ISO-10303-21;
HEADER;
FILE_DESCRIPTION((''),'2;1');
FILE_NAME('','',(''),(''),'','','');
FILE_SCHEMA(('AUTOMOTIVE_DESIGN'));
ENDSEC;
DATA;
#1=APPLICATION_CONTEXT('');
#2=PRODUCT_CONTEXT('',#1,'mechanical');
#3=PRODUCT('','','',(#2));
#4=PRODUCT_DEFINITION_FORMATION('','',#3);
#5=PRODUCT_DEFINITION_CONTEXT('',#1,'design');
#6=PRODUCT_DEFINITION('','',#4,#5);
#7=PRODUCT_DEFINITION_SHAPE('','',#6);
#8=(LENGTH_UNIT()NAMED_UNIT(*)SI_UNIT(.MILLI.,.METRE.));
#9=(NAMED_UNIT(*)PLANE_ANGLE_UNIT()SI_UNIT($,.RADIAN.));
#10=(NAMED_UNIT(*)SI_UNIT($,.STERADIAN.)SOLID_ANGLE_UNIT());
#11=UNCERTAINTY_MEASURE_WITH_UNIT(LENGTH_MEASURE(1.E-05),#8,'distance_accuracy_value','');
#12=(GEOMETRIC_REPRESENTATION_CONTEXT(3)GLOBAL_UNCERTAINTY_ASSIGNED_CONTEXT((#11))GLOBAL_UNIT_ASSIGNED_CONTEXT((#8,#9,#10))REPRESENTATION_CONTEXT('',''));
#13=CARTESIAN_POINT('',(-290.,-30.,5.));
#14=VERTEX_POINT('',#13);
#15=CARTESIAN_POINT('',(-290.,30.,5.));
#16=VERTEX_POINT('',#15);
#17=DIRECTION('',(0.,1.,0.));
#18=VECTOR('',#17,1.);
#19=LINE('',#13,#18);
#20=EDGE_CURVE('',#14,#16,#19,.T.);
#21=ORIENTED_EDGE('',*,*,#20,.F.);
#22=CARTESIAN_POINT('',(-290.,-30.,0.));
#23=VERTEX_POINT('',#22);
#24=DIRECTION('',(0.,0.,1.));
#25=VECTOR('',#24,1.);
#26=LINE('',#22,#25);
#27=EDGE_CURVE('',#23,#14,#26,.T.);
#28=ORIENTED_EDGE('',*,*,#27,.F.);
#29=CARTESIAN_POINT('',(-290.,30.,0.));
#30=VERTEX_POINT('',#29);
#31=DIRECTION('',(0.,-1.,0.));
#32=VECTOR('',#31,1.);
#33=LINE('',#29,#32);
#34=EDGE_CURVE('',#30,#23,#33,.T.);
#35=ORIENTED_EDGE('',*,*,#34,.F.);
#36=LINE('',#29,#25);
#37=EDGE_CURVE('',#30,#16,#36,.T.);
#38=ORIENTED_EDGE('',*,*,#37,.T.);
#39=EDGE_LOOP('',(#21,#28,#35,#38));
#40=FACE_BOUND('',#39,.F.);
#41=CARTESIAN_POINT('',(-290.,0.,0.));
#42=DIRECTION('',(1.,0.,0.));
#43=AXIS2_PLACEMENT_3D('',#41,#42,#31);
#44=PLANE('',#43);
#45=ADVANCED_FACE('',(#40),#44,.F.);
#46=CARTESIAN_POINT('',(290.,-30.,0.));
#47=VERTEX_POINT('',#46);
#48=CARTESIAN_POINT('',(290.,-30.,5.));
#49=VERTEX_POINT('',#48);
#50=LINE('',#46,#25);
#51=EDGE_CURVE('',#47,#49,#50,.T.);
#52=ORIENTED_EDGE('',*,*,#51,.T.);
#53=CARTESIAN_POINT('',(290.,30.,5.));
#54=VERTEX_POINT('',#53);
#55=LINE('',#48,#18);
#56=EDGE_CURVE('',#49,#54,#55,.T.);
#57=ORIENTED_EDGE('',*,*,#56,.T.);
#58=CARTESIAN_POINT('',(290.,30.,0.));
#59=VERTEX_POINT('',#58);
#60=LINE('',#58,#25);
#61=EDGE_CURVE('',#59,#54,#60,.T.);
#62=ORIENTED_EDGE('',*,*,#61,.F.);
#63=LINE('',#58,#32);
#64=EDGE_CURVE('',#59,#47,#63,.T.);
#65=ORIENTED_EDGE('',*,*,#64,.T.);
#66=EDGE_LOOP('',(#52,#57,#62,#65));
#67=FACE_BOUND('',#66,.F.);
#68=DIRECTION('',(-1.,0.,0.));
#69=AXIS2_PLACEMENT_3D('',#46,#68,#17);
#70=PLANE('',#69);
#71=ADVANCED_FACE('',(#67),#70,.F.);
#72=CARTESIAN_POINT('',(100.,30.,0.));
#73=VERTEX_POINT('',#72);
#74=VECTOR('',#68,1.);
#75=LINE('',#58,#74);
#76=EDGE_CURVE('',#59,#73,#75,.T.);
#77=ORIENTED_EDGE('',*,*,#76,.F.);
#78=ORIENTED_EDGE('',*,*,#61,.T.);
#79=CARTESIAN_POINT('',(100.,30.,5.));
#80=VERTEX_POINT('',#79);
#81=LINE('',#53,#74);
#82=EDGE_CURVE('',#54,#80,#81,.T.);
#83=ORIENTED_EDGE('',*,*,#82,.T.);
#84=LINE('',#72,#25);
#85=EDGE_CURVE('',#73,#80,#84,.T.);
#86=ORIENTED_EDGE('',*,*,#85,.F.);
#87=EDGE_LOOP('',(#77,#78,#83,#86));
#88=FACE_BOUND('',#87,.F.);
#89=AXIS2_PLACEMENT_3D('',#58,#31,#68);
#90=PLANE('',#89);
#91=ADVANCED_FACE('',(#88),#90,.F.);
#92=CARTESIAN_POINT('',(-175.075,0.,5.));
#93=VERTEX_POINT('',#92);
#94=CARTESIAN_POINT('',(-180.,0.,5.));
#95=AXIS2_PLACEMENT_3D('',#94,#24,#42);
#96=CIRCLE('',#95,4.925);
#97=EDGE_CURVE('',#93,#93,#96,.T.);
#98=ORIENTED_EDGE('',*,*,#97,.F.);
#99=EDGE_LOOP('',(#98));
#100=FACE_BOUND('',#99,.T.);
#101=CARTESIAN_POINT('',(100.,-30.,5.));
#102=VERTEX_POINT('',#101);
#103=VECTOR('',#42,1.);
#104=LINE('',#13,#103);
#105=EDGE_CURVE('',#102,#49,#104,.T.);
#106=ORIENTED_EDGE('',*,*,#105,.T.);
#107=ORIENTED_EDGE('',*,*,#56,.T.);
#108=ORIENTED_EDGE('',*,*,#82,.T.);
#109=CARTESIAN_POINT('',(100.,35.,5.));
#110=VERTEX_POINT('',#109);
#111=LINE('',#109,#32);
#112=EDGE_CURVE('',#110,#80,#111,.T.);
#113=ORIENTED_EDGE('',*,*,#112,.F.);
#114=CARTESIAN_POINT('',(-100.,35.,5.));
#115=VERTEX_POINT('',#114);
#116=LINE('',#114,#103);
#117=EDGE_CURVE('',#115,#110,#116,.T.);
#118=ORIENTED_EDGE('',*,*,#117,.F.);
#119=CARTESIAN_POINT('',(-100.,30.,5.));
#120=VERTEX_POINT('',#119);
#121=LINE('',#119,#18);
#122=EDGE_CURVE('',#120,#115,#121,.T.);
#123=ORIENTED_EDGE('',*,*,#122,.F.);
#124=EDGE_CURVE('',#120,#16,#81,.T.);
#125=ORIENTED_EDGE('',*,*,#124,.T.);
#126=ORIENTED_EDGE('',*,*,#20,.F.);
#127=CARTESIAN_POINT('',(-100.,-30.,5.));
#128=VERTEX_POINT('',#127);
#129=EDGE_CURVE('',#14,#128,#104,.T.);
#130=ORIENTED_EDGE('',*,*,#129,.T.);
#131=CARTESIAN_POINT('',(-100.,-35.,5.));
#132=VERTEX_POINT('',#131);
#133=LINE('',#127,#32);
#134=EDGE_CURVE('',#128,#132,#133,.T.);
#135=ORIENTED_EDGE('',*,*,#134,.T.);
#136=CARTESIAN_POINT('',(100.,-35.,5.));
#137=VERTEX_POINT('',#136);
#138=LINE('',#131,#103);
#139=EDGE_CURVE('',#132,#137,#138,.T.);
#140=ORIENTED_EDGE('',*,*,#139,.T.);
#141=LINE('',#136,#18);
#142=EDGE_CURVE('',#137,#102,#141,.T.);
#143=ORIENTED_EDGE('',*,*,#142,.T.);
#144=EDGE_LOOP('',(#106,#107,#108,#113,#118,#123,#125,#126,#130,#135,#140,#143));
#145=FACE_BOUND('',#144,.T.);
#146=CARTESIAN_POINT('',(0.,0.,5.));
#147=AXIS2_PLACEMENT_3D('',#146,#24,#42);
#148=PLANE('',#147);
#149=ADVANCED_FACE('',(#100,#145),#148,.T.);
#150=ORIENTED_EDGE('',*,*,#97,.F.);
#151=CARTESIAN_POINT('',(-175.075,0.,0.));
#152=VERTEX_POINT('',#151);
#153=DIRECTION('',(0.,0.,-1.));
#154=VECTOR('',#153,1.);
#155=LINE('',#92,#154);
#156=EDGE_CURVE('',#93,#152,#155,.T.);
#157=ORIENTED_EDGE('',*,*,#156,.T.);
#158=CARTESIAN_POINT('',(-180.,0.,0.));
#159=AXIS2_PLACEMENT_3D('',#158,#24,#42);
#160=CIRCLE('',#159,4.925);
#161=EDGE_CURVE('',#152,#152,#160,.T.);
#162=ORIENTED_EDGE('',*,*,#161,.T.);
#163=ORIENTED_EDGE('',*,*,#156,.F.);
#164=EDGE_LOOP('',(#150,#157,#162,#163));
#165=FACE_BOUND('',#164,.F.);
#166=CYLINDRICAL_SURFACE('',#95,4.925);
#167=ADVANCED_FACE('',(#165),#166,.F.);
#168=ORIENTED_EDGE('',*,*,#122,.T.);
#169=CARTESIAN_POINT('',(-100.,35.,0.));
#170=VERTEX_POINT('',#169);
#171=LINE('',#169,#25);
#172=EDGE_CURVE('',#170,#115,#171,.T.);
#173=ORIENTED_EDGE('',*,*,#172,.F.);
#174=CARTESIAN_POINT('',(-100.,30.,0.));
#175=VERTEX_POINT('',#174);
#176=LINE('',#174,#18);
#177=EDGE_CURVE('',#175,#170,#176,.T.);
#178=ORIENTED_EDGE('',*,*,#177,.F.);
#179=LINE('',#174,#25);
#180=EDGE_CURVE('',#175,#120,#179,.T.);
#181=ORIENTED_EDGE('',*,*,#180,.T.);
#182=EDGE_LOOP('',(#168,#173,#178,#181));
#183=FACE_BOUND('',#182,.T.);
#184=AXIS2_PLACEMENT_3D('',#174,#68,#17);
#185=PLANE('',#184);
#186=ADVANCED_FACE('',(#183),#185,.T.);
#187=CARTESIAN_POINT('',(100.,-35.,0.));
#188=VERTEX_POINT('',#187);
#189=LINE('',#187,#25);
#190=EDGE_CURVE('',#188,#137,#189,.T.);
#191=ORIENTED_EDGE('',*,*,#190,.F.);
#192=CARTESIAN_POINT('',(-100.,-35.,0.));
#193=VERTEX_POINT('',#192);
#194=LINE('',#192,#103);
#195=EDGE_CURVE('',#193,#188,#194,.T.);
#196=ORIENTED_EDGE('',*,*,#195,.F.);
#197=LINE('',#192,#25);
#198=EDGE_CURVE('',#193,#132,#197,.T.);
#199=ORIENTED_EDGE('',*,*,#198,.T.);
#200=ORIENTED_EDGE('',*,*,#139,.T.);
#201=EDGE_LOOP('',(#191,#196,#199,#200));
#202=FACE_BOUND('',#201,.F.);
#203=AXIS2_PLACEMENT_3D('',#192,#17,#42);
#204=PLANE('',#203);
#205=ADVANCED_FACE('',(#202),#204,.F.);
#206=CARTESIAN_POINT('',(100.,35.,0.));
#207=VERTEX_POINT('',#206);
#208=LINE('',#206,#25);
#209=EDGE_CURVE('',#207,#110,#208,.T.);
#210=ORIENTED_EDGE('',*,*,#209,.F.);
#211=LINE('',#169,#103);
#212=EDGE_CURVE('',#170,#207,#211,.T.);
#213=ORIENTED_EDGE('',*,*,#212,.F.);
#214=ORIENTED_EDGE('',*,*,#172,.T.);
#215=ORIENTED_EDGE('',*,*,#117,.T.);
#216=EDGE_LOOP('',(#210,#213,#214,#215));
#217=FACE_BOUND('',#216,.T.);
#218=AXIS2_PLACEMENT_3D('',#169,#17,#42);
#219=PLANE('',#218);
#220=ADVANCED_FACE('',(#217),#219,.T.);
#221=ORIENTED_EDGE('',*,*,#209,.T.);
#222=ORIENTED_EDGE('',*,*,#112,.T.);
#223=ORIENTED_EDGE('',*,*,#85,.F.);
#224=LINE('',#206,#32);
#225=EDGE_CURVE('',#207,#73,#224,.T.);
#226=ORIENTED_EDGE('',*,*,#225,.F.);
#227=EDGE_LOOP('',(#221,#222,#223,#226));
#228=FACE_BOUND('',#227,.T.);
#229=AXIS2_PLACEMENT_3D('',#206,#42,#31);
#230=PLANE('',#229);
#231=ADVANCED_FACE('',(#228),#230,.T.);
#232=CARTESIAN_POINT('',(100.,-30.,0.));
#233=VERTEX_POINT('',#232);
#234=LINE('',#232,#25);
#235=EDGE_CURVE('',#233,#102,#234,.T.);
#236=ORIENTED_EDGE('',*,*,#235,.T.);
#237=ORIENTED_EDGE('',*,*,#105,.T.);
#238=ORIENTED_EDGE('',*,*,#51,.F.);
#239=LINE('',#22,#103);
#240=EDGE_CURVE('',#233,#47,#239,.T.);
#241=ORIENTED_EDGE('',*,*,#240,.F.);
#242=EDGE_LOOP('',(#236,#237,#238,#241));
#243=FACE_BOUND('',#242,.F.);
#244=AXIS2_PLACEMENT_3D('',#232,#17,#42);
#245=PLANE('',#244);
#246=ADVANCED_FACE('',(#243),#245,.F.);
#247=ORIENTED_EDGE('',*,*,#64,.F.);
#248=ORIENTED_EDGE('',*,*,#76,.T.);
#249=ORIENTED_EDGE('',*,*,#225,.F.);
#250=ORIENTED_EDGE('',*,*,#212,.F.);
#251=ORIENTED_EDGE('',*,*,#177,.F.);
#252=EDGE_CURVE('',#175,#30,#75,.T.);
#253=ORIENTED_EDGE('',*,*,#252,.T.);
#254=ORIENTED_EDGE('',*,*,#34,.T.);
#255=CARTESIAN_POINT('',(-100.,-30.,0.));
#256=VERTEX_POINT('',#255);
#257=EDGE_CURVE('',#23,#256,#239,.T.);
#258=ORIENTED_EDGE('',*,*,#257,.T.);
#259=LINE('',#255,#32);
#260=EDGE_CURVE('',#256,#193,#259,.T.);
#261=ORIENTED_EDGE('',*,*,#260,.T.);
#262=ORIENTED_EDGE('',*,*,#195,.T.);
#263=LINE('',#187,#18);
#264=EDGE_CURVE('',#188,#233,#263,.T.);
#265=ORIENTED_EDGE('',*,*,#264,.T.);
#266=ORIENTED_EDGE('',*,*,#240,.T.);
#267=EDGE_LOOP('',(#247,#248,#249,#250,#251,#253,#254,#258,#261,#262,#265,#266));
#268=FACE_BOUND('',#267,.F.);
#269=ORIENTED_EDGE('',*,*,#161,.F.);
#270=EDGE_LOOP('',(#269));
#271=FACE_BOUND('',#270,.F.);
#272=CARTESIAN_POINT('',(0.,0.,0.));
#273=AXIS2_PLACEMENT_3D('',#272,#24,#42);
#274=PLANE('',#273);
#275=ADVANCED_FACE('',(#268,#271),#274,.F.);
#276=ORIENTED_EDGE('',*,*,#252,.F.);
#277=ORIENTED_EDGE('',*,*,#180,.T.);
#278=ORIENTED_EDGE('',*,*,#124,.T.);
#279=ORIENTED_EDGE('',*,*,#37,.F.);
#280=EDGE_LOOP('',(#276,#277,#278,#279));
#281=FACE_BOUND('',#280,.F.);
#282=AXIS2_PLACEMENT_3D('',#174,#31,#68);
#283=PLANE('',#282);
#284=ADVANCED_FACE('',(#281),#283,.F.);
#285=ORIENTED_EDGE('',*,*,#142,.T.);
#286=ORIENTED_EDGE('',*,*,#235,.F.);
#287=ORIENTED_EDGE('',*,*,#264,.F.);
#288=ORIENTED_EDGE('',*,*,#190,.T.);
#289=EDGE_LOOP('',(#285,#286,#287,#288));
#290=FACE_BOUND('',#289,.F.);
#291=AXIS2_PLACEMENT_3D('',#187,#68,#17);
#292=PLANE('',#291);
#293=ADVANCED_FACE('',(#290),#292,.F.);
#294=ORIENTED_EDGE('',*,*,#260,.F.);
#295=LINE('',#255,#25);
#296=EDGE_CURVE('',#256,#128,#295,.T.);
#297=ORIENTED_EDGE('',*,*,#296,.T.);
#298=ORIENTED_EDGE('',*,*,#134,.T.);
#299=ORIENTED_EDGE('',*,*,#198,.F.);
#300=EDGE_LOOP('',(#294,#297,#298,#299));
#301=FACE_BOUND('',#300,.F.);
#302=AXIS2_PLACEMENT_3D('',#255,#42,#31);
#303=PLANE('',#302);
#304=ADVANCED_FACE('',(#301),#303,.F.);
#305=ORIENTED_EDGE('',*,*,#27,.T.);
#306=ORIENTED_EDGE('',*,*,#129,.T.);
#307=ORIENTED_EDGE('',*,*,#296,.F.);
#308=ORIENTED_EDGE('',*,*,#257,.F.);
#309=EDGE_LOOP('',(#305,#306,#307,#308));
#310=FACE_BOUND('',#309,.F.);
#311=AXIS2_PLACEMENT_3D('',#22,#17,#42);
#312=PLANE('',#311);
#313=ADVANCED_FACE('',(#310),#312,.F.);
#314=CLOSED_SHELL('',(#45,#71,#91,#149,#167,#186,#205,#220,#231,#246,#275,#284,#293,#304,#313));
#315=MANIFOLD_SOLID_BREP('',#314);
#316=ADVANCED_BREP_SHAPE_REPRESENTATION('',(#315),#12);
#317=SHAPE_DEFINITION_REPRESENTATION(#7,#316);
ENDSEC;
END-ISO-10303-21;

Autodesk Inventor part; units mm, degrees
ref_plane "YZ Plane" through (0, 0, 0) normal (1, 0, 0) x (0, 1, 0)
ref_plane "XZ Plane" through (0, 0, 0) normal (0, 1, 0) x (-1, 0, 0)
ref_plane "XY Plane" through (0, 0, 0) normal (0, 0, 1) x (1, 0, 0)
sketch "Sketch1" plane through (0, 0, 0) normal (0, 0, 1) x (1, 0, 0)
  line L0 (-290, -30) -> (290, -30)
  line L1 (290, -30) -> (290, 30)
  line L2 (290, 30) -> (-290, 30)
  line L3 (-290, 30) -> (-290, -30)
  line L4 (-290, -30) -> (290, 30) construction
  line L5 (290, -30) -> (-290, 30) construction
  line L6 (-100, 35) -> (100, 35)
  line L7 (100, 35) -> (100, 30)
  line L8 (100, 30) -> (-100, 30)
  line L9 (-100, 30) -> (-100, 35)
  line L10 (-100, 35) -> (100, 30) construction
  line L11 (100, 35) -> (-100, 30) construction
  line L12 (-290, 0) -> (290, 0)
  line L13 (-100, -35) -> (100, -35)
  line L14 (100, -35) -> (100, -30)
  line L15 (100, -30) -> (-100, -30)
  line L16 (-100, -30) -> (-100, -35)
  line L17 (-100, -35) -> (100, -30) construction
  line L18 (100, -35) -> (-100, -30) construction
  point P0 (0, 0)
  point P1 (0, 32.5)
  point P2 (0, 30)
  point P3 (0, -32.5)
  point P4 (0, -30)
  point P5 (-100, 30)
  point P6 (-100, -30)
  dimension "d0" = 580
  dimension "d1" = 60
  dimension "d2" = 5
  dimension "d3" = 200
extrude "Plate1" add sketch "Sketch1" along normal blind 5
sketch "Sketch2" plane through (0, 0, 5) normal (0, 0, 1) x (1, 0, 0)
  circle A0 centre (-180, 0) radius 4.925
  point P0 (0, 0)
  dimension "d5" = 9.85
  dimension "d6" = 180
extrude "Cut1" cut sketch "Sketch2" against normal blind 5
equation "\"d7\" = Thickness"
equation "\"d4\" = Thickness"
equation "\"BendRadius\" = Thickness"
equation "\"BendReliefWidth\" = Thickness"
equation "\"BendReliefDepth\" = 0.5 * Thickness"
equation "\"TransitionRadius\" = BendRadius"
equation "\"JacobiRadiusSize\" = BendRadius"
equation "\"GapSize\" = Thickness"
equation "\"Thickness\" = 5"
properties part number "Table-Base Fixation ( Power Port )"
